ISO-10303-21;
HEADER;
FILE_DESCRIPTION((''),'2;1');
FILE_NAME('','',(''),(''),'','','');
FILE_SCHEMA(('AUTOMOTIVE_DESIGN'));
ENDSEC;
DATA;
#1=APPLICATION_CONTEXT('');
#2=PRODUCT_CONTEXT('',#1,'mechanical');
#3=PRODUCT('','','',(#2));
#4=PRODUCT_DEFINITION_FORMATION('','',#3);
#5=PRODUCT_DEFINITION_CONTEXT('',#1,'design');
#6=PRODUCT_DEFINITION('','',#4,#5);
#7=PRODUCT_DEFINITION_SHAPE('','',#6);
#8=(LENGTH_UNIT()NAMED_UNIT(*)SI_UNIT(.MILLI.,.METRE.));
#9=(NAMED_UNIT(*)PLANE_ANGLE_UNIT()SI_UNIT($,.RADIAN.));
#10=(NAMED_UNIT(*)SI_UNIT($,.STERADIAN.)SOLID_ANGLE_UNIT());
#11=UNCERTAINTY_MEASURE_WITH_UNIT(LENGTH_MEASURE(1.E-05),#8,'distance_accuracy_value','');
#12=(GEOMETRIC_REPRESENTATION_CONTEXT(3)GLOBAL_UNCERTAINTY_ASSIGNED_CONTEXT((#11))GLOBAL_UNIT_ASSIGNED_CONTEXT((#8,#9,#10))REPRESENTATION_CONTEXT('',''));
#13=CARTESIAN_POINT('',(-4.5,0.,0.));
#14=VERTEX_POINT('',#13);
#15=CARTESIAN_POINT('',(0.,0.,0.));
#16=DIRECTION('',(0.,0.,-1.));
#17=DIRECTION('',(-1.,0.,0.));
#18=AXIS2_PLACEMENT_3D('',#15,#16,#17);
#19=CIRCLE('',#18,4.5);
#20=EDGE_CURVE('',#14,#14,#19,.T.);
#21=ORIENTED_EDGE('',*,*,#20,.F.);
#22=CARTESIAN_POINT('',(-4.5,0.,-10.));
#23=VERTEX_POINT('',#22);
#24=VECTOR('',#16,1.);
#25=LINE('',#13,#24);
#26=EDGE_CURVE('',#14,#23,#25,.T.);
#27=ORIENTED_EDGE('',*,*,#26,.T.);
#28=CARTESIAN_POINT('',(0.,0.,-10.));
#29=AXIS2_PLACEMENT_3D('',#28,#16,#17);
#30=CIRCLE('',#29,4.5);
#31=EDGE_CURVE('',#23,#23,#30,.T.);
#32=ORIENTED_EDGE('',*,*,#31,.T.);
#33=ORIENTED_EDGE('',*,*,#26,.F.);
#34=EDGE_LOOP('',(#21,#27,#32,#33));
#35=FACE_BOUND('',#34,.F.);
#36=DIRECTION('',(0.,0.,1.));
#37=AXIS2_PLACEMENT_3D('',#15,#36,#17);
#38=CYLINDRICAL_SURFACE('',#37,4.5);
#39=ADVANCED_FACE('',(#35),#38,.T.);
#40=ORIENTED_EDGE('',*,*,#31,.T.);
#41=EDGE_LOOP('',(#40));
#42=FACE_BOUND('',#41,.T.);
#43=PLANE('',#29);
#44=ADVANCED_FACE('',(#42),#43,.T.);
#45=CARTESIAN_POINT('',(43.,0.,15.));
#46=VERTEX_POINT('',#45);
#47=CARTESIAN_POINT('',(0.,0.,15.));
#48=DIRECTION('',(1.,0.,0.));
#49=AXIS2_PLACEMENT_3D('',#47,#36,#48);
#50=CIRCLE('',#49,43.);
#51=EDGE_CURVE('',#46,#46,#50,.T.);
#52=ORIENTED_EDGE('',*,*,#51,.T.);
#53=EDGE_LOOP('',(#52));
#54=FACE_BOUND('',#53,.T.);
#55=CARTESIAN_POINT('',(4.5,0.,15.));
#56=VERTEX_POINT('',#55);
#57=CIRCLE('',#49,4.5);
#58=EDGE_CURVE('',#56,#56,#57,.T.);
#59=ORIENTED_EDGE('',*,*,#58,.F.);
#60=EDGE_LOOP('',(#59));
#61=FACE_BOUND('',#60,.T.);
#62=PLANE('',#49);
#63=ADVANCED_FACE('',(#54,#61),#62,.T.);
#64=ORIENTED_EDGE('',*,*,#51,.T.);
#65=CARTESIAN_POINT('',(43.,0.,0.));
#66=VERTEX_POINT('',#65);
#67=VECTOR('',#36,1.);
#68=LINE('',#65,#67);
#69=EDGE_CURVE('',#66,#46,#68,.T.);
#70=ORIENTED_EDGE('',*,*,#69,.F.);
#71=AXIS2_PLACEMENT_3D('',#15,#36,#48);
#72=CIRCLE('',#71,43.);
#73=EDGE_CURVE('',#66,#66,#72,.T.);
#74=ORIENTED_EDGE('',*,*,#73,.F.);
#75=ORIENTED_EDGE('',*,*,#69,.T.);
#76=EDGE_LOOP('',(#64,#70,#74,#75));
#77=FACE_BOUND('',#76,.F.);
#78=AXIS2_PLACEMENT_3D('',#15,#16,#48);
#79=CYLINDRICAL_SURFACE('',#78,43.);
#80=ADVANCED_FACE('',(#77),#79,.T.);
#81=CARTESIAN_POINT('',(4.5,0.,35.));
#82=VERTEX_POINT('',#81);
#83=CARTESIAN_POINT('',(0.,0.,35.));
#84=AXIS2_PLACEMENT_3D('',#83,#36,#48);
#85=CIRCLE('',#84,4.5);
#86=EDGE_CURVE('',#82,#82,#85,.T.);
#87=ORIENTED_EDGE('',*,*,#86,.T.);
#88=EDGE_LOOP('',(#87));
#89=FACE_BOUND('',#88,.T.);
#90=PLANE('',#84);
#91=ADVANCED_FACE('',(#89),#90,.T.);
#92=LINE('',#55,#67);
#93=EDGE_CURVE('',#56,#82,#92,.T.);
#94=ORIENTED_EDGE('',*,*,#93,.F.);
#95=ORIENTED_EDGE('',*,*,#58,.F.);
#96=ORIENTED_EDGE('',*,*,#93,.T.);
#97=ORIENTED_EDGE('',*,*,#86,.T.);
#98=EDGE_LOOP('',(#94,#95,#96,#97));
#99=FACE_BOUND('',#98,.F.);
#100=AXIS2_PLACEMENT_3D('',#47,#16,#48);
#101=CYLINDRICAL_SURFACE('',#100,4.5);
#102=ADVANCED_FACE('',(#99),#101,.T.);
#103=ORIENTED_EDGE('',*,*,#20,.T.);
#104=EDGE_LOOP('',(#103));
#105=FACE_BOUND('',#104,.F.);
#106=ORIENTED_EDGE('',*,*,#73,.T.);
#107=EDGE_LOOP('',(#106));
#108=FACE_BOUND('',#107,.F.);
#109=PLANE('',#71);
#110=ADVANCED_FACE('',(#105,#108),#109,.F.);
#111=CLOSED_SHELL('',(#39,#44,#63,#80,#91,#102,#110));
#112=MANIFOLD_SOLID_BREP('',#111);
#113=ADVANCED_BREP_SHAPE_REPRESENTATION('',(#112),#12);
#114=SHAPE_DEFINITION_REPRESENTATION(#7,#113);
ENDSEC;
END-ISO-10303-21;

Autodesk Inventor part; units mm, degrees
ref_plane "YZ Plane" through (0, 0, 0) normal (1, 0, 0) x (0, 1, 0)
ref_plane "XZ Plane" through (0, 0, 0) normal (0, 1, 0) x (-1, 0, 0)
ref_plane "XY Plane" through (0, 0, 0) normal (0, 0, 1) x (1, 0, 0)
sketch "Esquisse1" plane through (0, 0, 0) normal (0, 0, 1) x (1, 0, 0)
  circle A0 centre (0, 0) radius 43
  dimension "d2" = 86
extrude "Extrusion1" add sketch "Esquisse1" along normal blind 15
sketch "Esquisse2" plane through (0, 0, 15) normal (0, 0, 1) x (1, 0, 0)
  circle A0 centre (0, 0) radius 4.5
  dimension "d3" = 9
extrude "Extrusion2" add sketch "Esquisse2" along normal blind 20
sketch "Esquisse3" plane through (0, 0, 0) normal (0, 0, -1) x (-1, 0, 0)
  circle A0 centre (0, 0) radius 4.5
  dimension "d6" = 9
extrude "Extrusion3" add sketch "Esquisse3" along normal blind 10
properties part number "Roue"
